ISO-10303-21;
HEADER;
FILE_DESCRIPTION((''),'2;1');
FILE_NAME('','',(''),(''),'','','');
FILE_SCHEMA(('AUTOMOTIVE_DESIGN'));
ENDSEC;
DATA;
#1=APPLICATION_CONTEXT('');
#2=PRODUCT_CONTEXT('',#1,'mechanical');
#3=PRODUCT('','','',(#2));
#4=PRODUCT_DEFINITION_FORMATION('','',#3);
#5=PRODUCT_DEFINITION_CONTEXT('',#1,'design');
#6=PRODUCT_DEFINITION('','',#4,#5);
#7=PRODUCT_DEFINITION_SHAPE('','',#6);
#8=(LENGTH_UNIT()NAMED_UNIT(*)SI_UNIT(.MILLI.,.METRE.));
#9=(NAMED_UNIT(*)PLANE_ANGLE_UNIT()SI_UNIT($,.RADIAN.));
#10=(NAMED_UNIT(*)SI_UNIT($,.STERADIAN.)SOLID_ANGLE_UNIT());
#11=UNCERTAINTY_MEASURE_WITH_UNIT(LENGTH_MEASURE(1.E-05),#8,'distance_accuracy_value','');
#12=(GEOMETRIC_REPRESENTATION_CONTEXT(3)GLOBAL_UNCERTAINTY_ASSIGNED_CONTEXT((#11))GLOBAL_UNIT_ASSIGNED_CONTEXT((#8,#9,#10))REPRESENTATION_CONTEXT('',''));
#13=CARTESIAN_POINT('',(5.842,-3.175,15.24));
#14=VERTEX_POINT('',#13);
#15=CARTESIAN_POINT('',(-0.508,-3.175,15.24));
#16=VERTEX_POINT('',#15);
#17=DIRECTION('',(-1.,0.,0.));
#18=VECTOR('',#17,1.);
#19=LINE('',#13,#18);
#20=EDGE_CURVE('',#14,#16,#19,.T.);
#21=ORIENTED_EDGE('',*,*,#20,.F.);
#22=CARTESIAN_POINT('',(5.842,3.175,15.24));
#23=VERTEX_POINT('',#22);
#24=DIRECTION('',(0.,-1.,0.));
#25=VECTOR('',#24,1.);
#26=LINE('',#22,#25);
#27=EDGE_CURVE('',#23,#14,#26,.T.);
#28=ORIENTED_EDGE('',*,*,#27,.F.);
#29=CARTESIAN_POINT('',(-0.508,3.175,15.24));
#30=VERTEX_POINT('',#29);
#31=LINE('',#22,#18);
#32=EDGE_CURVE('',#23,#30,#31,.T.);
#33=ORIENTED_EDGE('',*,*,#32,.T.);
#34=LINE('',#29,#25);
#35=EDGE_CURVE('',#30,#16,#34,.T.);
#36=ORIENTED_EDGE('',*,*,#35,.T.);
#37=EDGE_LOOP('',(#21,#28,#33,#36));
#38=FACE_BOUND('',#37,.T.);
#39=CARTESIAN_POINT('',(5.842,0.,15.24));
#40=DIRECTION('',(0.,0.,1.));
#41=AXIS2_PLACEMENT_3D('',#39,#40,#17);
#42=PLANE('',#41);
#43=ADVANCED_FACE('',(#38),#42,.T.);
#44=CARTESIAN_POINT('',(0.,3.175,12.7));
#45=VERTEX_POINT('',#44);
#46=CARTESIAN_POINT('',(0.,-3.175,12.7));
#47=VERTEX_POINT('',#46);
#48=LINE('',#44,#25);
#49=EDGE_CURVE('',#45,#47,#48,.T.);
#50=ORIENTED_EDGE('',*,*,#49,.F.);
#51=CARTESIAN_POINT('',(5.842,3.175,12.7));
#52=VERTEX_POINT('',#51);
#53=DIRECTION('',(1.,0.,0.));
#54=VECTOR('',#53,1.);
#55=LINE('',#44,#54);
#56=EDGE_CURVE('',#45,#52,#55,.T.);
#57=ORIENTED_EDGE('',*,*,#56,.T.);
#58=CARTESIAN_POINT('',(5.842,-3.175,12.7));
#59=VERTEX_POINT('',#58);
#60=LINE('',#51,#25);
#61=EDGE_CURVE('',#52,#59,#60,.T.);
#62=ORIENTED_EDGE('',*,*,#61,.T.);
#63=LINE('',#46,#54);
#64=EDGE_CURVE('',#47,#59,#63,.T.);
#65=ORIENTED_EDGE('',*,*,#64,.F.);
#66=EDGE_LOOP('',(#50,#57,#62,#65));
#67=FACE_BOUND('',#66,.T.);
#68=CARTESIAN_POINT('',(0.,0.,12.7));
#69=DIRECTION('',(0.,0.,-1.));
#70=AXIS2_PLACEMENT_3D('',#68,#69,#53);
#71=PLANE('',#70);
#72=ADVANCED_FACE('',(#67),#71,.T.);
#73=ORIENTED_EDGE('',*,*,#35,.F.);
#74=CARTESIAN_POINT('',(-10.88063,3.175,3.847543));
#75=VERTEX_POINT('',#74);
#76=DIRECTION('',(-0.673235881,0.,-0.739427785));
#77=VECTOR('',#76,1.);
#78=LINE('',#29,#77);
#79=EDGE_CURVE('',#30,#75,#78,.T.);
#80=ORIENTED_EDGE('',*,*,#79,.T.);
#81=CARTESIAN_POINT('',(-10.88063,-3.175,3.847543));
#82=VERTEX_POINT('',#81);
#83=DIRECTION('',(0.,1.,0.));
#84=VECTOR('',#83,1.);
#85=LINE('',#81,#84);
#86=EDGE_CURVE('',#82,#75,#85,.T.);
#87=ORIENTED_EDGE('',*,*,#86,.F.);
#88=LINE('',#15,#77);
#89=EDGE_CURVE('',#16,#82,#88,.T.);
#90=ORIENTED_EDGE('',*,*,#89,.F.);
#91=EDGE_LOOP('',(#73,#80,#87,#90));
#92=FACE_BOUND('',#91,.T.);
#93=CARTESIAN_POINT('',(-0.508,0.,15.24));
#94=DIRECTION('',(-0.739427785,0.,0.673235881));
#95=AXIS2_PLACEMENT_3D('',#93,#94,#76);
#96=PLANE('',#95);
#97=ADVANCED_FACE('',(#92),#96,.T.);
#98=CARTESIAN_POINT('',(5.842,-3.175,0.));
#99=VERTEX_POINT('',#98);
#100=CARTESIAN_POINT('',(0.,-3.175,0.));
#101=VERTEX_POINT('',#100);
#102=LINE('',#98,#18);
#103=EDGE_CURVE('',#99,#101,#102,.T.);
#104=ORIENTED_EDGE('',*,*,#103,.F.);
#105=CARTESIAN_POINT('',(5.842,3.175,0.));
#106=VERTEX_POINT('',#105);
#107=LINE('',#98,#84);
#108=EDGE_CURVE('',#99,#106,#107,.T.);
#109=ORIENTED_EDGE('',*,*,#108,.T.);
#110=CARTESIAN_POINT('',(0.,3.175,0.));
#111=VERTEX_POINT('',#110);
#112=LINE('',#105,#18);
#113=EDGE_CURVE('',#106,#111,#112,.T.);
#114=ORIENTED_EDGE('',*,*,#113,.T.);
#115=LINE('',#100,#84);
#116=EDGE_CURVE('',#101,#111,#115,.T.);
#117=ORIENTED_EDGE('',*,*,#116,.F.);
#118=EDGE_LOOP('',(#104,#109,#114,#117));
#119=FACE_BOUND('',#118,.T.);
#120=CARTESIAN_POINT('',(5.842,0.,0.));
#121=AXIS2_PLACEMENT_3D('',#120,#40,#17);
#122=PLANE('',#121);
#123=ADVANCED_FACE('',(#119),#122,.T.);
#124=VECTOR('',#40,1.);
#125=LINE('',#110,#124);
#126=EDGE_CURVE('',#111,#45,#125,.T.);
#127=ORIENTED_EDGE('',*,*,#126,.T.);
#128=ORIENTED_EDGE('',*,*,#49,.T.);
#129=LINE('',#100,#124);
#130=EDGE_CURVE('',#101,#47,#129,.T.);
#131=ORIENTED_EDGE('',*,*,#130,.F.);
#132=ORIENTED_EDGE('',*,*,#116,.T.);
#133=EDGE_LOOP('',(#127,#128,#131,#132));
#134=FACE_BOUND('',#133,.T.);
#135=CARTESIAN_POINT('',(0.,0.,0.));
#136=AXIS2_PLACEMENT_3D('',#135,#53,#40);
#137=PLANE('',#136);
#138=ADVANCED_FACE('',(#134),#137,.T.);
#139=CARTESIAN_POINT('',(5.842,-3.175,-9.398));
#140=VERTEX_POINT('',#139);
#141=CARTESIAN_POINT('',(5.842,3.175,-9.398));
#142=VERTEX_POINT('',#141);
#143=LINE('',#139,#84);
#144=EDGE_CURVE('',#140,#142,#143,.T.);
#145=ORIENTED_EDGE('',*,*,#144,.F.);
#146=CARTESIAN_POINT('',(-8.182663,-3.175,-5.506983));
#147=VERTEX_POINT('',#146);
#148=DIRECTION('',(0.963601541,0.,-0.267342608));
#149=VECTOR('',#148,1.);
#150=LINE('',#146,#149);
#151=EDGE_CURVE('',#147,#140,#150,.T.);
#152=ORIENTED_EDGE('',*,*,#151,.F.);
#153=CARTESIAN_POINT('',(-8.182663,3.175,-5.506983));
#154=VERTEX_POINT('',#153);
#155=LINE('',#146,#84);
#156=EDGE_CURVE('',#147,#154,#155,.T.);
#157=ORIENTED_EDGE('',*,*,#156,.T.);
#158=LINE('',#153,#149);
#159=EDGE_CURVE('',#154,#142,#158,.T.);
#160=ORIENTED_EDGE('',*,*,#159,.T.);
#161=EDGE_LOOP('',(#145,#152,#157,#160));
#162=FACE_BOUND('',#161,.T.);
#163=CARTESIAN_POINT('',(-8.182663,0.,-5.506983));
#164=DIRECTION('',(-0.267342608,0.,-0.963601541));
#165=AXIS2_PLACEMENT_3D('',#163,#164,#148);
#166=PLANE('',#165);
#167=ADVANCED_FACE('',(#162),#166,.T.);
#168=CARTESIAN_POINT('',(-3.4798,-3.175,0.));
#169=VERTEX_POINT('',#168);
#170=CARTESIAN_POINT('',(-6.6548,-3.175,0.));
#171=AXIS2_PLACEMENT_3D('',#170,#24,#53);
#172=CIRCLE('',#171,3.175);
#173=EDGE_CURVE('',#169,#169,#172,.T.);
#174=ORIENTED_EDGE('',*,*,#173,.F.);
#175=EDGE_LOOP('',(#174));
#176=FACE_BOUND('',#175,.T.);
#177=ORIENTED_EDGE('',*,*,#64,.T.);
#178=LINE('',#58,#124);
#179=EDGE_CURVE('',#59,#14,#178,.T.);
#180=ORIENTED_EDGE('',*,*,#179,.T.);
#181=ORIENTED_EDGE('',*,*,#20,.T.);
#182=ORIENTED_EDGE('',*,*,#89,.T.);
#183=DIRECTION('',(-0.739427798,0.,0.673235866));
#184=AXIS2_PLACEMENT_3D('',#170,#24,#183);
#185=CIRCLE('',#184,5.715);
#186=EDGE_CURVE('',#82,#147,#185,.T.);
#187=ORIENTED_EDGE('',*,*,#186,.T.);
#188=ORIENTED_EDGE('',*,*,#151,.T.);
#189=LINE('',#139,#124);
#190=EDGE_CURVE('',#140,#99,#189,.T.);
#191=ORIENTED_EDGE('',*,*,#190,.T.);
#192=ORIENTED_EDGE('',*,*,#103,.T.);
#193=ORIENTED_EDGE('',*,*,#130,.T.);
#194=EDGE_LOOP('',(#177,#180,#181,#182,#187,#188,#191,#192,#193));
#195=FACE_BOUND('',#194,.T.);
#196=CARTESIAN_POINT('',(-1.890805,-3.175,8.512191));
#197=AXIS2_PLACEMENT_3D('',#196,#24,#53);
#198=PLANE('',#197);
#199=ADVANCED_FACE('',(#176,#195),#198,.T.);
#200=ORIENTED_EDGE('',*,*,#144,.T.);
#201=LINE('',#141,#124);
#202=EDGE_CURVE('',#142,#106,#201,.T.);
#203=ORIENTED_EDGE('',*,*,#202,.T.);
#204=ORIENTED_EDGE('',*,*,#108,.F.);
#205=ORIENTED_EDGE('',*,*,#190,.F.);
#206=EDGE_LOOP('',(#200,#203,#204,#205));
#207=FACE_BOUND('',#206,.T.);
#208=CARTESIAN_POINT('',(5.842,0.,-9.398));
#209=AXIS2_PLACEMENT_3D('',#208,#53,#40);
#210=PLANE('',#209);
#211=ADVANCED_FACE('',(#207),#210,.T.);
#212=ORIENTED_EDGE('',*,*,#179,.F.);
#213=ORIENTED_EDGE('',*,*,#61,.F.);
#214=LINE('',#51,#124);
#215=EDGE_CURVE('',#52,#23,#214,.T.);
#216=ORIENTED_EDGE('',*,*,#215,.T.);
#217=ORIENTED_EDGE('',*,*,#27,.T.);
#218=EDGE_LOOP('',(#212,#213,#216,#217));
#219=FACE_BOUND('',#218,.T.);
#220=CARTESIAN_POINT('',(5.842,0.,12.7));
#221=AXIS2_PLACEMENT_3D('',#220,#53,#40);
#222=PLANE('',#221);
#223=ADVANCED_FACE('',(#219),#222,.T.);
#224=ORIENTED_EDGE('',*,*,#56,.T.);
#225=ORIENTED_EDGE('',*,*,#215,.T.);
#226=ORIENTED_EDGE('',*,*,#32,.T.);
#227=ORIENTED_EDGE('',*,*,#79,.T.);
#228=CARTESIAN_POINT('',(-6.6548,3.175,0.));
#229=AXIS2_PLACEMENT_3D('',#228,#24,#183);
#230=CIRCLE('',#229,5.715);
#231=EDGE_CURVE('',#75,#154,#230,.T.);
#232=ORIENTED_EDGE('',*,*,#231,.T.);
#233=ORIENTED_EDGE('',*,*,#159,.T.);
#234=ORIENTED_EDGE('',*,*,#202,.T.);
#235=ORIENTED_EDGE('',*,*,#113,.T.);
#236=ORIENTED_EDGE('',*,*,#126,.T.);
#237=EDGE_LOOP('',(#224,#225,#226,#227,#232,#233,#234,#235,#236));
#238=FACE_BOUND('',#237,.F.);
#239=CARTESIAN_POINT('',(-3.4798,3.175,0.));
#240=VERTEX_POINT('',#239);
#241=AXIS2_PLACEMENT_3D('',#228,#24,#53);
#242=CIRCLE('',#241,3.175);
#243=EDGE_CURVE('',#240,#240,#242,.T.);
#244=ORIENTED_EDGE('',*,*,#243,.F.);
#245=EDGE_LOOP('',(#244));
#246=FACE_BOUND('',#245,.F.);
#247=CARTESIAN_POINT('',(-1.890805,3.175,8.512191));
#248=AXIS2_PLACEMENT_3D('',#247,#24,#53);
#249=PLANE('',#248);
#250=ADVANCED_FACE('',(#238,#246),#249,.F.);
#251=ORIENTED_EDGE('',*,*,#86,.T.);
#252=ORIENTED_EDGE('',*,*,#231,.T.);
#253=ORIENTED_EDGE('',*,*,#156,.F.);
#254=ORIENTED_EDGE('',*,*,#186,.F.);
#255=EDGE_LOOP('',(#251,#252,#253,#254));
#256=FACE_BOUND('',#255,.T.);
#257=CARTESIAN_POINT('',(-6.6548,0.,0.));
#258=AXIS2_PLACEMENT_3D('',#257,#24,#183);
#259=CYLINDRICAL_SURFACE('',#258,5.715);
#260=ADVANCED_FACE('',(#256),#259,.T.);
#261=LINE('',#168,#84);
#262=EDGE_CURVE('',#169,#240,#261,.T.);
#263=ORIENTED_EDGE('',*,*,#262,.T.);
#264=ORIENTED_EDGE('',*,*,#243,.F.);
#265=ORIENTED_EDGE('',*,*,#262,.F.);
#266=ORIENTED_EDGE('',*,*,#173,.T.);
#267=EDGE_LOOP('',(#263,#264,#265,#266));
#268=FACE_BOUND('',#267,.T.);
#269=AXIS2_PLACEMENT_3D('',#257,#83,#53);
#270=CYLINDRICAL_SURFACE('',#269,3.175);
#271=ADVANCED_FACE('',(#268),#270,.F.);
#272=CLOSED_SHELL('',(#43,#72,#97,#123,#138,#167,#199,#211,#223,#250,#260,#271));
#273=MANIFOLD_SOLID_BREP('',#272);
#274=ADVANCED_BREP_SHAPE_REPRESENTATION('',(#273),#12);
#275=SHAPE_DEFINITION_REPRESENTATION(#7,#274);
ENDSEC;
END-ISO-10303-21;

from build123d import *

# Parameters (mm, degrees)
F0_R     = 3.175
F1_DEPTH = 3.175


with BuildPart() as f1:
    # F0 (on Front) → F1 (new body, symmetric)
    with BuildSketch(Plane.XZ):
        with BuildLine():
            Line((-0.9398, 0), (0, 0))
            Line((0, 0), (0, 12.7))
            Line((0, 12.7), (5.842, 12.7))
            Line((5.842, 12.7), (5.842, 15.24))
            Line((5.842, 15.24), (-0.508, 15.24))
            Line((-0.508, 15.24), (-10.88063, 3.847543))
            ThreePointArc((-10.88063, 3.847543), (-4.591961, 5.329721), (-0.9398, 0))
        make_face()
        with BuildLine():
            Line((5.842, 0), (0, 0))
            Line((0, 0), (-0.9398, 0))
            ThreePointArc((-0.9398, 0), (-3.195791, -4.549339), (-8.182663, -5.506983))
            Line((-8.182663, -5.506983), (5.842, -9.398))
            Line((5.842, -9.398), (5.842, 0))
        make_face()
        with BuildLine():
            ThreePointArc((-8.182663, -5.506983), (-3.195791, -4.549339), (-0.9398, 0))
            ThreePointArc((-0.9398, 0), (-4.591961, 5.329721), (-10.88063, 3.847543))
            ThreePointArc((-10.88063, 3.847543), (-12.145978, -1.583727), (-8.182663, -5.506983))
        make_face()
        with Locations((-6.6548, 0)):
            Circle(F0_R, mode=Mode.SUBTRACT)
    extrude(amount=F1_DEPTH, both=True)


solid = f1.part
